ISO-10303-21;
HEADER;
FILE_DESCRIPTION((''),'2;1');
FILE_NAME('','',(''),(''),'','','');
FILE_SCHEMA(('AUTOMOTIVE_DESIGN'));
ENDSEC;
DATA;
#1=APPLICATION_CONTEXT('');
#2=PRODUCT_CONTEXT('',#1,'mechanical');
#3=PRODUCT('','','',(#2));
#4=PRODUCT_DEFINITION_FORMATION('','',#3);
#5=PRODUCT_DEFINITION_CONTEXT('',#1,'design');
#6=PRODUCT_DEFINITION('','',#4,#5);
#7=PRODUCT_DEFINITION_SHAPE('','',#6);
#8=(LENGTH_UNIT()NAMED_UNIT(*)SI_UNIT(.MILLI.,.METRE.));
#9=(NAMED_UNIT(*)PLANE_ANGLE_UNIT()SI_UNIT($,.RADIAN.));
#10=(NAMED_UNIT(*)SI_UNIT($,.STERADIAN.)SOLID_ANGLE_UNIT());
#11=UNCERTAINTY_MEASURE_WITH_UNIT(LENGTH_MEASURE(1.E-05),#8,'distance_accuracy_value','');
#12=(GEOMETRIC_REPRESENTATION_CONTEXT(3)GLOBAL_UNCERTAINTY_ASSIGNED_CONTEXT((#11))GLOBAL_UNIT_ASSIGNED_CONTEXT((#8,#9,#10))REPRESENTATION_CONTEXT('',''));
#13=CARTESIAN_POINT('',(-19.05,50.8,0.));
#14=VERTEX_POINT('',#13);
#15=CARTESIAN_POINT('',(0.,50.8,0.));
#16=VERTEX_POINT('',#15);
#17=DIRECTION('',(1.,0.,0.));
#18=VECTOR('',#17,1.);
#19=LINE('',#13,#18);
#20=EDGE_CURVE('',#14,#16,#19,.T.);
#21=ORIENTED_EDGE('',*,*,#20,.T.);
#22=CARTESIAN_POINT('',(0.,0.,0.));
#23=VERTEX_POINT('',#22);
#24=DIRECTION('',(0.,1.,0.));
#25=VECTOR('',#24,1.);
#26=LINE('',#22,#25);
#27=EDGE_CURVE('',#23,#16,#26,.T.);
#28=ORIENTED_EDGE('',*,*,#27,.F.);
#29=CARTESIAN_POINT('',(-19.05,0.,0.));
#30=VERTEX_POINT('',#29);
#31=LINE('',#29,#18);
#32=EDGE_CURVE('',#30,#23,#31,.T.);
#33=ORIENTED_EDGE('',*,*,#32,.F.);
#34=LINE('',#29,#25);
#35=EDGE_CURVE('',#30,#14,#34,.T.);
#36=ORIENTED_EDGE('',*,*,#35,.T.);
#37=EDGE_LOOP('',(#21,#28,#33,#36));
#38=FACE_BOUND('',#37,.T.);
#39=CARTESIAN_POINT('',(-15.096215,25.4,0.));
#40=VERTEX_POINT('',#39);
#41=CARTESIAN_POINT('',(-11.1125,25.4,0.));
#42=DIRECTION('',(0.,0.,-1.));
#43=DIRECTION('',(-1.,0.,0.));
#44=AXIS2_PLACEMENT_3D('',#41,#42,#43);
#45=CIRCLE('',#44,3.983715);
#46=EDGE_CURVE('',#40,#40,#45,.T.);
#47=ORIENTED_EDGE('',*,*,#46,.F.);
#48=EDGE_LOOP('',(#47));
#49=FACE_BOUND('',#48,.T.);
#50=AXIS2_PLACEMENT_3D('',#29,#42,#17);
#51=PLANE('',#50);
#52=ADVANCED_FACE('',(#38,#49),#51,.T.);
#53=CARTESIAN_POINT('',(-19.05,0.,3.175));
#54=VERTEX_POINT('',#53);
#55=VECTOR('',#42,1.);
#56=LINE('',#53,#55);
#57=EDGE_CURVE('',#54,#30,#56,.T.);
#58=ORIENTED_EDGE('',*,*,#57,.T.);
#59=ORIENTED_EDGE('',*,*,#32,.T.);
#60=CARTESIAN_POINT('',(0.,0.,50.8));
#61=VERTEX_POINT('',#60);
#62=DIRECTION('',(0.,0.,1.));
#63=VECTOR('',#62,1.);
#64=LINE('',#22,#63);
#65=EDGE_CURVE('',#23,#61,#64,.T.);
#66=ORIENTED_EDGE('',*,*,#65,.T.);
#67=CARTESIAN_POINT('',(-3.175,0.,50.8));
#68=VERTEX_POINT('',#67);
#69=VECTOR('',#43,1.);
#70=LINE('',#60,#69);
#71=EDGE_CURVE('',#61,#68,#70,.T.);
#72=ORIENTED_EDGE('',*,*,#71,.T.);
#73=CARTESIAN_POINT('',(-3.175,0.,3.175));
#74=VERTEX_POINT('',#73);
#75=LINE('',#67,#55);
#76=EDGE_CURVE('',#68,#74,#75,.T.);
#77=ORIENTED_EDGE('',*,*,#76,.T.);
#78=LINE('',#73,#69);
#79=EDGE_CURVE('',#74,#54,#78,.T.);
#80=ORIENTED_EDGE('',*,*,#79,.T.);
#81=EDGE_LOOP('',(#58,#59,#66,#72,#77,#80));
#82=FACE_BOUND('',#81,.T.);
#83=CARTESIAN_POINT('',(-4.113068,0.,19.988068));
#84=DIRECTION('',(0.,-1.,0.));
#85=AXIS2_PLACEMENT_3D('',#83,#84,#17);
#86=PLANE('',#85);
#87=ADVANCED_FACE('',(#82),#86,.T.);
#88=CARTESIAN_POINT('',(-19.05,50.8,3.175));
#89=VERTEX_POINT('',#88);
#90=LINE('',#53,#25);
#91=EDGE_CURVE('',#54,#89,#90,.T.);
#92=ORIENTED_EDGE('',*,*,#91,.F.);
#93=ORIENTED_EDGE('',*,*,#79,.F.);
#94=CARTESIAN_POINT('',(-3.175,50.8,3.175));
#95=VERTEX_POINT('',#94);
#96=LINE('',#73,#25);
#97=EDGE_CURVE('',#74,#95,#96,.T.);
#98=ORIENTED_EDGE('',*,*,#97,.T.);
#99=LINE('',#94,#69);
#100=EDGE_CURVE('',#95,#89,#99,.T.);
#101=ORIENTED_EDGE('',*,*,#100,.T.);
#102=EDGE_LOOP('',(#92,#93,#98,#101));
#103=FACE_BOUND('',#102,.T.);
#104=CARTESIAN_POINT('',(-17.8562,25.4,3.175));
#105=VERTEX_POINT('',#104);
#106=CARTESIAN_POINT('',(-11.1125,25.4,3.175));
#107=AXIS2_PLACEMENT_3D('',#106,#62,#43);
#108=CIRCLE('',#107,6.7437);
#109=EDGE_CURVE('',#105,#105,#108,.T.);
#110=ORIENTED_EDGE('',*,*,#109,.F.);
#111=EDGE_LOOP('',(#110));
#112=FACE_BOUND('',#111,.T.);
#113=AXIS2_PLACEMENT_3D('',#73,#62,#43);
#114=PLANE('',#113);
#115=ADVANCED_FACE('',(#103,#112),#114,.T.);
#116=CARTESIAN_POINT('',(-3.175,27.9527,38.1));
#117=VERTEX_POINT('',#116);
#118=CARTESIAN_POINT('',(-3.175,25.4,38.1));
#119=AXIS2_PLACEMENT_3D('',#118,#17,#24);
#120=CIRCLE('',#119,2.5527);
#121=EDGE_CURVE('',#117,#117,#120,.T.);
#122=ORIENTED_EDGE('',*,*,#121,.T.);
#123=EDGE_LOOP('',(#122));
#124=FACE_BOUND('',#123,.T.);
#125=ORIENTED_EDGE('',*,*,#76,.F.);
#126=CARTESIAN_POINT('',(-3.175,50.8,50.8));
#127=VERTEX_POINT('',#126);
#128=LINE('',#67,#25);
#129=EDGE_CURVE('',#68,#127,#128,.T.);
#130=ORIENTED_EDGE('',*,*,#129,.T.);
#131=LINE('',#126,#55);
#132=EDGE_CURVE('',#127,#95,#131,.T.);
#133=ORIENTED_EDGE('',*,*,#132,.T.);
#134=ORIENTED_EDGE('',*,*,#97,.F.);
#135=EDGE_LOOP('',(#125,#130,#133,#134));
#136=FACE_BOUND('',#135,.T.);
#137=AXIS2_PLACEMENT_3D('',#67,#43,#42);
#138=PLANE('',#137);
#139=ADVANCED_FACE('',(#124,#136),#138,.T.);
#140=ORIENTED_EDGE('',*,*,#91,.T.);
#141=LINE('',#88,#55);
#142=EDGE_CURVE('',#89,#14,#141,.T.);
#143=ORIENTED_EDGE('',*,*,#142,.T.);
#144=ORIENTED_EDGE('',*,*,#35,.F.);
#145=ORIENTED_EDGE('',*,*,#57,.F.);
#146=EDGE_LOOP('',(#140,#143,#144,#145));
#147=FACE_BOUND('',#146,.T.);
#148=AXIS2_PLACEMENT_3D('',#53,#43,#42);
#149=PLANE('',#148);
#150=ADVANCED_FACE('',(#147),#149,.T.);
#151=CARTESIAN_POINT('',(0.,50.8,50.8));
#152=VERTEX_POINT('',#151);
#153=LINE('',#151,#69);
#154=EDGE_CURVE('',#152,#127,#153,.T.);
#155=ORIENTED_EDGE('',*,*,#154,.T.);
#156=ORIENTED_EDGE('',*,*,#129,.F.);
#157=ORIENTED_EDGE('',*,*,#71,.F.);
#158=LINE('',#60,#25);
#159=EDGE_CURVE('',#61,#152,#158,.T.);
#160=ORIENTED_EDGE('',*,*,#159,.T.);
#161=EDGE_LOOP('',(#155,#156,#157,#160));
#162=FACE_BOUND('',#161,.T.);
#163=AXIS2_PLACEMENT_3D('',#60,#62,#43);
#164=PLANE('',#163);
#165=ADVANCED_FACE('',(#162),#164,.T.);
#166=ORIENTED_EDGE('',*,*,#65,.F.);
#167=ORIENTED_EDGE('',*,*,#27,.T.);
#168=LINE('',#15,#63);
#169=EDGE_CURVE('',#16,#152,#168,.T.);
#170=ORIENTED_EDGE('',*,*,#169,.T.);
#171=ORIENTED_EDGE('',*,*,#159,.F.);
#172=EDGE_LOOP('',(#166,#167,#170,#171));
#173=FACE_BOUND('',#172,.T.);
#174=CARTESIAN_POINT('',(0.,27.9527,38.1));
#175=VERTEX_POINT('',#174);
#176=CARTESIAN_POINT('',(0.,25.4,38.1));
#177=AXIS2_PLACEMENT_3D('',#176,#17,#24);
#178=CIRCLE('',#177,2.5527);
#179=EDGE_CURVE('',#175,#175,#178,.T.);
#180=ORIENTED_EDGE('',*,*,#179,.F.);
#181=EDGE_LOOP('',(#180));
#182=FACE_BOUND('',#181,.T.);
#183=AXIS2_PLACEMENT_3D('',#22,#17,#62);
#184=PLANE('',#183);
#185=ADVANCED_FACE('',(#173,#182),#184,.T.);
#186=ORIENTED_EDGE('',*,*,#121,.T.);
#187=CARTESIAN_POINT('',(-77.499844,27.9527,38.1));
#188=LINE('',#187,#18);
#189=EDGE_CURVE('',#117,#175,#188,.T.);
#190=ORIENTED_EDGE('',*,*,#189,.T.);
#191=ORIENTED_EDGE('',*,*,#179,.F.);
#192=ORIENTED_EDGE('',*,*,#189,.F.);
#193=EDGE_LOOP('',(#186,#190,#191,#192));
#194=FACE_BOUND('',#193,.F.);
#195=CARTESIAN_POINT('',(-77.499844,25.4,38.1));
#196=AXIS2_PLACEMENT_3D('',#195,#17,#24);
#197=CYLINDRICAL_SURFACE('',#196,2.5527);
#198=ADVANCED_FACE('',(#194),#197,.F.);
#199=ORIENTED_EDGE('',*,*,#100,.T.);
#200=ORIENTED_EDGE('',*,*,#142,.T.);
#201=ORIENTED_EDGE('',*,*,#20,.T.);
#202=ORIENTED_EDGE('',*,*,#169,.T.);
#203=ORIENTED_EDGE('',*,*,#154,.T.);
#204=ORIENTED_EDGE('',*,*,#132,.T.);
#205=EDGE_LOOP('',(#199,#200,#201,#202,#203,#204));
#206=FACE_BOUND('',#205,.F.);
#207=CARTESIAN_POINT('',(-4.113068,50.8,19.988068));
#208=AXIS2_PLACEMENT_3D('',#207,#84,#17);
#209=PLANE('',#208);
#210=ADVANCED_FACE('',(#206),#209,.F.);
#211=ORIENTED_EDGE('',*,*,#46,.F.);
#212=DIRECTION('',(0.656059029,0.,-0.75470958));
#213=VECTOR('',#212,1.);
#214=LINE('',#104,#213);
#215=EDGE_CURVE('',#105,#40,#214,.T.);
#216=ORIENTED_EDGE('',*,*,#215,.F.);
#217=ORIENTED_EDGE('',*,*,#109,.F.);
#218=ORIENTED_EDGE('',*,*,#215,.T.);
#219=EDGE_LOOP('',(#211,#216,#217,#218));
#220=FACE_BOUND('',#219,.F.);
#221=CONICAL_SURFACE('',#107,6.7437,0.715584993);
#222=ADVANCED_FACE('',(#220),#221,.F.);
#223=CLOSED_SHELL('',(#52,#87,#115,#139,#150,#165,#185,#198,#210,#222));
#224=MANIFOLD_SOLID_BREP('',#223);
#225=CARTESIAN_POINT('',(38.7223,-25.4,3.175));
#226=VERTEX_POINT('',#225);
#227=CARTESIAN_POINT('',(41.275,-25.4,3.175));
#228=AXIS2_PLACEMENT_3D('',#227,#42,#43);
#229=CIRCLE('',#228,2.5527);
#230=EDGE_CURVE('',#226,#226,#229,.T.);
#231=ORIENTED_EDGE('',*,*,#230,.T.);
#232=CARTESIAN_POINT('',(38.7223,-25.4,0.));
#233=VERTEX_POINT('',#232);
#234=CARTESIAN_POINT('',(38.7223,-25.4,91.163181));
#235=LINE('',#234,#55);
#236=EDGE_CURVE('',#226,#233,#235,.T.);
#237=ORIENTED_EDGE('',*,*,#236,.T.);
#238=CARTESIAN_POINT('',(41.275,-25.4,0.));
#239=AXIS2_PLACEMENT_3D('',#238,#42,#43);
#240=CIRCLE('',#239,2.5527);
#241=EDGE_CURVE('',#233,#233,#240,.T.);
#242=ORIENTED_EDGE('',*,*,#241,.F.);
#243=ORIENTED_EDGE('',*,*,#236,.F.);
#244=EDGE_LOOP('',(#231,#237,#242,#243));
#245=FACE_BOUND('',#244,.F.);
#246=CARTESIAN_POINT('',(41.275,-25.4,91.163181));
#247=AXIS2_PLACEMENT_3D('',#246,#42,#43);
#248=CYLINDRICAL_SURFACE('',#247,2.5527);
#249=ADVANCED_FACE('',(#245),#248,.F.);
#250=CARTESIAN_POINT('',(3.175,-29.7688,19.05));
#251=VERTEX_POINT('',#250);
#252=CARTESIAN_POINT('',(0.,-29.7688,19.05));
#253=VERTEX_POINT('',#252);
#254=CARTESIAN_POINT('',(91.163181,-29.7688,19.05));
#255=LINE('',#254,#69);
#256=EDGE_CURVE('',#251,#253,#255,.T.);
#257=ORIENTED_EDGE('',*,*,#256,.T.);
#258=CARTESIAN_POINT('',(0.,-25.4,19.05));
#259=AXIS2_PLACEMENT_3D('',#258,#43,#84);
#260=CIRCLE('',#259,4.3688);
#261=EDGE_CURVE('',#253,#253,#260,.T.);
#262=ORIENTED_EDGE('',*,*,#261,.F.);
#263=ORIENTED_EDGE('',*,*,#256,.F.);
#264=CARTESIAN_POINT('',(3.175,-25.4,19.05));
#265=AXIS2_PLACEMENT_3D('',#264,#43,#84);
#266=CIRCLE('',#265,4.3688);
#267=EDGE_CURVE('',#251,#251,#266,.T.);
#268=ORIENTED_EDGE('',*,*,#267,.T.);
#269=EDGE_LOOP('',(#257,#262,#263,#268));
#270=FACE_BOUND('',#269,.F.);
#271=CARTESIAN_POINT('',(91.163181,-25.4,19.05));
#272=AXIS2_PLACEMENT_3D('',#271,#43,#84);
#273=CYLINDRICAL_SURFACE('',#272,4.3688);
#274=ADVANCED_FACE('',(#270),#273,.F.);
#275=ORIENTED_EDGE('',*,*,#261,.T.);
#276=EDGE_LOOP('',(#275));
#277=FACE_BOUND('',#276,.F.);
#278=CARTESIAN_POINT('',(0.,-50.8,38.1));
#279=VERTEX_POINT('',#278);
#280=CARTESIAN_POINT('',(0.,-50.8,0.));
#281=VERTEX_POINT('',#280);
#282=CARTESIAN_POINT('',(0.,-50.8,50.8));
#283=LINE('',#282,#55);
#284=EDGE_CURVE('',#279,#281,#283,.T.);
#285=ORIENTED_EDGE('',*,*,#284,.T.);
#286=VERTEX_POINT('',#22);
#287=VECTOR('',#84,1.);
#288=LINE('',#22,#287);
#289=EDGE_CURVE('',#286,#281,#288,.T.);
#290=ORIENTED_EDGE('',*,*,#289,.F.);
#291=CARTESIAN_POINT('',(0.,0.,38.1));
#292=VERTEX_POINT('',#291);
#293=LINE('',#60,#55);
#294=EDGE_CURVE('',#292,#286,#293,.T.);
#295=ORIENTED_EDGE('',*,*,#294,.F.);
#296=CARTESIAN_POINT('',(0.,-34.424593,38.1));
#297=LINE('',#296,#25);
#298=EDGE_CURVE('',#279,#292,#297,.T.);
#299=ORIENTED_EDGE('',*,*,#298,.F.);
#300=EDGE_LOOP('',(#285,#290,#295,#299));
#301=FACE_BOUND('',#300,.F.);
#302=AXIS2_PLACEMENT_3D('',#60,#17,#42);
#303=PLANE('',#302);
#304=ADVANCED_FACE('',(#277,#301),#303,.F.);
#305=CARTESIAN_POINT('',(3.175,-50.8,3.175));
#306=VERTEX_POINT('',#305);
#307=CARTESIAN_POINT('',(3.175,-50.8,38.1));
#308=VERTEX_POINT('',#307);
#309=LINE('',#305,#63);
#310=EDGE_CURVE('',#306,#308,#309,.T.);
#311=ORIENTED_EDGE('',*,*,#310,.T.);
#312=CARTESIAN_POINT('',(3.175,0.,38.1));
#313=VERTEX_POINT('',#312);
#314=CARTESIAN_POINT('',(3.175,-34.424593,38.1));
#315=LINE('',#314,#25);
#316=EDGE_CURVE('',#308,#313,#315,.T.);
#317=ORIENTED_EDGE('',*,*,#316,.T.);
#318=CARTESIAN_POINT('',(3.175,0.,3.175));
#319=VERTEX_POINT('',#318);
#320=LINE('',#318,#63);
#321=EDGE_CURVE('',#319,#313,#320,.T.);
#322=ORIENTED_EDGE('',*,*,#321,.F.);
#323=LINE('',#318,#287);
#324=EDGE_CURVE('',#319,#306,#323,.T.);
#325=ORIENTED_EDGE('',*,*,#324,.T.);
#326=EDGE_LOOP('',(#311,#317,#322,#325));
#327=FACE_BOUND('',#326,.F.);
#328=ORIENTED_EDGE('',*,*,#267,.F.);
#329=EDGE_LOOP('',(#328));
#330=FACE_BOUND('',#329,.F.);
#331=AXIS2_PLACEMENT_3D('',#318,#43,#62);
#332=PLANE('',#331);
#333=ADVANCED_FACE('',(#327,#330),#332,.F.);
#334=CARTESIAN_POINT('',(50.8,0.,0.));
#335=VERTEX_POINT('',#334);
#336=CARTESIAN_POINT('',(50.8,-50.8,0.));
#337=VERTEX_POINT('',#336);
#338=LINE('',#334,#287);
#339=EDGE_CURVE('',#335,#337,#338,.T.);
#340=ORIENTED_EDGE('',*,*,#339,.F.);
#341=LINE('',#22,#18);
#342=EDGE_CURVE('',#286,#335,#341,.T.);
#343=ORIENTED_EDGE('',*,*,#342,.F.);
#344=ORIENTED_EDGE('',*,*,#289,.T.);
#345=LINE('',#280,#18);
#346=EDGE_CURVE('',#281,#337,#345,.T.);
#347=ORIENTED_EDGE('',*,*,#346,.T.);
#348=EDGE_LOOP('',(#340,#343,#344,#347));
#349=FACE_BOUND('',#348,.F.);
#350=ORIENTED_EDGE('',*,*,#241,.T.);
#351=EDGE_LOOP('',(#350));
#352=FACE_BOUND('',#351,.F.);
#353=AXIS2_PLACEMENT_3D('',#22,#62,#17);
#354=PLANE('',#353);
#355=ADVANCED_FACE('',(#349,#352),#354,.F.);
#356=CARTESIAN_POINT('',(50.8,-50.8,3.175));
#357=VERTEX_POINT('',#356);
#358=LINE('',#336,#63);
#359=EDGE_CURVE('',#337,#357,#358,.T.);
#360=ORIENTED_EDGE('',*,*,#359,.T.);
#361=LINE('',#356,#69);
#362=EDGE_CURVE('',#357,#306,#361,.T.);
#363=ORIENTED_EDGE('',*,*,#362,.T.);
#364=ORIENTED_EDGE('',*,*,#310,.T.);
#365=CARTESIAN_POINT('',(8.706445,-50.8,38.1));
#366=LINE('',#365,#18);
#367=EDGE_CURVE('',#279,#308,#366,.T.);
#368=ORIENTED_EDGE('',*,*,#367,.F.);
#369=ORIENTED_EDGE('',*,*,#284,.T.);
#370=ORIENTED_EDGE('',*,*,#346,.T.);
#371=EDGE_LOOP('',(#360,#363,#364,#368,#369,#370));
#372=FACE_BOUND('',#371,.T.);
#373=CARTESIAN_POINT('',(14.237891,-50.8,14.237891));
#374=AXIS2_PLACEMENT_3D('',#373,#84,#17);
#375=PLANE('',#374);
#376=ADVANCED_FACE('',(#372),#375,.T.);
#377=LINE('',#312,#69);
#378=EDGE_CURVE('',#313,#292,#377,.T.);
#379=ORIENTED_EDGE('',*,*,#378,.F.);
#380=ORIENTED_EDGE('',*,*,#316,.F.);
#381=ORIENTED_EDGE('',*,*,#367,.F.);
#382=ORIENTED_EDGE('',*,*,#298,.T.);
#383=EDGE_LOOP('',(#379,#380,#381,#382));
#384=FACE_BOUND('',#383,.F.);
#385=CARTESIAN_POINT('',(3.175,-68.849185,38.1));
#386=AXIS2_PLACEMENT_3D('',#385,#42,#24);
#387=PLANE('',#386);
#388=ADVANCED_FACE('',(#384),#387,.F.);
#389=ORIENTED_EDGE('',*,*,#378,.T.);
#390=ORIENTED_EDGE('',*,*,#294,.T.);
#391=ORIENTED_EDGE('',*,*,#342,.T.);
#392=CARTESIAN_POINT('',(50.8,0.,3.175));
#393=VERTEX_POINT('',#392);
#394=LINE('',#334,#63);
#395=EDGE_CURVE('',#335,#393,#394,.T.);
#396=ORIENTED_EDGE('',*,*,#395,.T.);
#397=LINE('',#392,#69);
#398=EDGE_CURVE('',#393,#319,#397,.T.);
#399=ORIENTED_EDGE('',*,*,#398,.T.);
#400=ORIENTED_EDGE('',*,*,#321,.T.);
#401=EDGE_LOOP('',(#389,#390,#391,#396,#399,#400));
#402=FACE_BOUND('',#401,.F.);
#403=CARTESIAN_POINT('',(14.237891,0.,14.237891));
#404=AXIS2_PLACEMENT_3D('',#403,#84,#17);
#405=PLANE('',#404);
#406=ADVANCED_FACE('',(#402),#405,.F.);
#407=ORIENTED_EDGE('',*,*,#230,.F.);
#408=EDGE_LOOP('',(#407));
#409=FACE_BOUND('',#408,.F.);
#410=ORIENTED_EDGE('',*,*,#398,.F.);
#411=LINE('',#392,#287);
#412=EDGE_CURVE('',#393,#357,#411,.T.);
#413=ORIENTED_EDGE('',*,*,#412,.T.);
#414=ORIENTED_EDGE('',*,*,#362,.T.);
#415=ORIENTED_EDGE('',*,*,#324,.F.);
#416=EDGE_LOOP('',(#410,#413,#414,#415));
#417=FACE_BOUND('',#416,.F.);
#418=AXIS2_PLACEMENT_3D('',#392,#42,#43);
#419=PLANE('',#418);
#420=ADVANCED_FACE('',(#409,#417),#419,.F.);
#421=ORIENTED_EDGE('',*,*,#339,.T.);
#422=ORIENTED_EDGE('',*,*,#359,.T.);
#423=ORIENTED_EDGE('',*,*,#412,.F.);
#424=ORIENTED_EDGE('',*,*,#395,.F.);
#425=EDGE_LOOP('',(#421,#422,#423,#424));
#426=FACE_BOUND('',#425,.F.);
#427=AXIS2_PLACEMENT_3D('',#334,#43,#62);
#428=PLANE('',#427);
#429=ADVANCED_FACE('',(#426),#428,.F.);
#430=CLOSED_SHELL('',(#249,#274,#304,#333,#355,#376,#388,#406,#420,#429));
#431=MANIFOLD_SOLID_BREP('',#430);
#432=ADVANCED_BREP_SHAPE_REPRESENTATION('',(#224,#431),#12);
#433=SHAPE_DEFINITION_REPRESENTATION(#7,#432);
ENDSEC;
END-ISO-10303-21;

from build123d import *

# Parameters (mm, degrees)
F1_DEPTH        = 50.8
F3_D            = 5.1054
F5_D            = 8.7376
F6_W            = 68.8491852673
F6_H            = 40.5795811865
F7_DEPTH        = 25.4
F9_DEPTH        = 50.8
F11_D           = 7.1374
F11_CSINK_D     = 13.4874
F11_CSINK_ANGLE = 82
F13_D           = 5.1054


with BuildPart() as f1:
    # F0 (on Front) → F1 (new body)
    with BuildSketch(Plane.XZ):
        Polygon((0, 50.8), (0, 0), (50.8, 0), (50.8, 3.175), (3.175, 3.175), (3.175, 50.8), align=None)
    extrude(amount=F1_DEPTH)

    # F3 (through all)
    with Locations(Plane.XY.offset(3.175)):
        with Locations((41.275, -25.4)):
            Hole(F3_D / 2)

    # F5 (through all)
    with Locations(Plane.YZ.offset(3.175)):
        with Locations((-25.4, 19.05)):
            Hole(F5_D / 2)

    # F6 (on face) → F7 (cut)
    with BuildSketch(Plane.YZ.offset(3.175)):
        with Locations((-34.4245926337, 58.3897905932)):
            Rectangle(F6_W, F6_H)
    extrude(amount=-F7_DEPTH, mode=Mode.SUBTRACT)


with BuildPart() as f9:
    # F8 (on Front) → F9 (new body)
    with BuildSketch(Plane.XZ):
        Polygon((-19.05, 0), (0, 0), (0, 50.8), (-3.175, 50.8), (-3.175, 3.175), (-19.05, 3.175), align=None)
    extrude(amount=-F9_DEPTH)

    # F11 (through all)
    with Locations(Plane.XY.offset(3.175)):
        with Locations((-11.1125, 25.4)):
            CounterSinkHole(F11_D / 2, F11_CSINK_D / 2, counter_sink_angle=F11_CSINK_ANGLE)

    # F13 (through all)
    with Locations(Plane(origin=(-3.175, 0, 0), x_dir=(0, -1, 0), z_dir=(-1, 0, 0))):
        with Locations((-25.4, 38.1)):
            Hole(F13_D / 2)


solid = Compound([f1.part, f9.part])
